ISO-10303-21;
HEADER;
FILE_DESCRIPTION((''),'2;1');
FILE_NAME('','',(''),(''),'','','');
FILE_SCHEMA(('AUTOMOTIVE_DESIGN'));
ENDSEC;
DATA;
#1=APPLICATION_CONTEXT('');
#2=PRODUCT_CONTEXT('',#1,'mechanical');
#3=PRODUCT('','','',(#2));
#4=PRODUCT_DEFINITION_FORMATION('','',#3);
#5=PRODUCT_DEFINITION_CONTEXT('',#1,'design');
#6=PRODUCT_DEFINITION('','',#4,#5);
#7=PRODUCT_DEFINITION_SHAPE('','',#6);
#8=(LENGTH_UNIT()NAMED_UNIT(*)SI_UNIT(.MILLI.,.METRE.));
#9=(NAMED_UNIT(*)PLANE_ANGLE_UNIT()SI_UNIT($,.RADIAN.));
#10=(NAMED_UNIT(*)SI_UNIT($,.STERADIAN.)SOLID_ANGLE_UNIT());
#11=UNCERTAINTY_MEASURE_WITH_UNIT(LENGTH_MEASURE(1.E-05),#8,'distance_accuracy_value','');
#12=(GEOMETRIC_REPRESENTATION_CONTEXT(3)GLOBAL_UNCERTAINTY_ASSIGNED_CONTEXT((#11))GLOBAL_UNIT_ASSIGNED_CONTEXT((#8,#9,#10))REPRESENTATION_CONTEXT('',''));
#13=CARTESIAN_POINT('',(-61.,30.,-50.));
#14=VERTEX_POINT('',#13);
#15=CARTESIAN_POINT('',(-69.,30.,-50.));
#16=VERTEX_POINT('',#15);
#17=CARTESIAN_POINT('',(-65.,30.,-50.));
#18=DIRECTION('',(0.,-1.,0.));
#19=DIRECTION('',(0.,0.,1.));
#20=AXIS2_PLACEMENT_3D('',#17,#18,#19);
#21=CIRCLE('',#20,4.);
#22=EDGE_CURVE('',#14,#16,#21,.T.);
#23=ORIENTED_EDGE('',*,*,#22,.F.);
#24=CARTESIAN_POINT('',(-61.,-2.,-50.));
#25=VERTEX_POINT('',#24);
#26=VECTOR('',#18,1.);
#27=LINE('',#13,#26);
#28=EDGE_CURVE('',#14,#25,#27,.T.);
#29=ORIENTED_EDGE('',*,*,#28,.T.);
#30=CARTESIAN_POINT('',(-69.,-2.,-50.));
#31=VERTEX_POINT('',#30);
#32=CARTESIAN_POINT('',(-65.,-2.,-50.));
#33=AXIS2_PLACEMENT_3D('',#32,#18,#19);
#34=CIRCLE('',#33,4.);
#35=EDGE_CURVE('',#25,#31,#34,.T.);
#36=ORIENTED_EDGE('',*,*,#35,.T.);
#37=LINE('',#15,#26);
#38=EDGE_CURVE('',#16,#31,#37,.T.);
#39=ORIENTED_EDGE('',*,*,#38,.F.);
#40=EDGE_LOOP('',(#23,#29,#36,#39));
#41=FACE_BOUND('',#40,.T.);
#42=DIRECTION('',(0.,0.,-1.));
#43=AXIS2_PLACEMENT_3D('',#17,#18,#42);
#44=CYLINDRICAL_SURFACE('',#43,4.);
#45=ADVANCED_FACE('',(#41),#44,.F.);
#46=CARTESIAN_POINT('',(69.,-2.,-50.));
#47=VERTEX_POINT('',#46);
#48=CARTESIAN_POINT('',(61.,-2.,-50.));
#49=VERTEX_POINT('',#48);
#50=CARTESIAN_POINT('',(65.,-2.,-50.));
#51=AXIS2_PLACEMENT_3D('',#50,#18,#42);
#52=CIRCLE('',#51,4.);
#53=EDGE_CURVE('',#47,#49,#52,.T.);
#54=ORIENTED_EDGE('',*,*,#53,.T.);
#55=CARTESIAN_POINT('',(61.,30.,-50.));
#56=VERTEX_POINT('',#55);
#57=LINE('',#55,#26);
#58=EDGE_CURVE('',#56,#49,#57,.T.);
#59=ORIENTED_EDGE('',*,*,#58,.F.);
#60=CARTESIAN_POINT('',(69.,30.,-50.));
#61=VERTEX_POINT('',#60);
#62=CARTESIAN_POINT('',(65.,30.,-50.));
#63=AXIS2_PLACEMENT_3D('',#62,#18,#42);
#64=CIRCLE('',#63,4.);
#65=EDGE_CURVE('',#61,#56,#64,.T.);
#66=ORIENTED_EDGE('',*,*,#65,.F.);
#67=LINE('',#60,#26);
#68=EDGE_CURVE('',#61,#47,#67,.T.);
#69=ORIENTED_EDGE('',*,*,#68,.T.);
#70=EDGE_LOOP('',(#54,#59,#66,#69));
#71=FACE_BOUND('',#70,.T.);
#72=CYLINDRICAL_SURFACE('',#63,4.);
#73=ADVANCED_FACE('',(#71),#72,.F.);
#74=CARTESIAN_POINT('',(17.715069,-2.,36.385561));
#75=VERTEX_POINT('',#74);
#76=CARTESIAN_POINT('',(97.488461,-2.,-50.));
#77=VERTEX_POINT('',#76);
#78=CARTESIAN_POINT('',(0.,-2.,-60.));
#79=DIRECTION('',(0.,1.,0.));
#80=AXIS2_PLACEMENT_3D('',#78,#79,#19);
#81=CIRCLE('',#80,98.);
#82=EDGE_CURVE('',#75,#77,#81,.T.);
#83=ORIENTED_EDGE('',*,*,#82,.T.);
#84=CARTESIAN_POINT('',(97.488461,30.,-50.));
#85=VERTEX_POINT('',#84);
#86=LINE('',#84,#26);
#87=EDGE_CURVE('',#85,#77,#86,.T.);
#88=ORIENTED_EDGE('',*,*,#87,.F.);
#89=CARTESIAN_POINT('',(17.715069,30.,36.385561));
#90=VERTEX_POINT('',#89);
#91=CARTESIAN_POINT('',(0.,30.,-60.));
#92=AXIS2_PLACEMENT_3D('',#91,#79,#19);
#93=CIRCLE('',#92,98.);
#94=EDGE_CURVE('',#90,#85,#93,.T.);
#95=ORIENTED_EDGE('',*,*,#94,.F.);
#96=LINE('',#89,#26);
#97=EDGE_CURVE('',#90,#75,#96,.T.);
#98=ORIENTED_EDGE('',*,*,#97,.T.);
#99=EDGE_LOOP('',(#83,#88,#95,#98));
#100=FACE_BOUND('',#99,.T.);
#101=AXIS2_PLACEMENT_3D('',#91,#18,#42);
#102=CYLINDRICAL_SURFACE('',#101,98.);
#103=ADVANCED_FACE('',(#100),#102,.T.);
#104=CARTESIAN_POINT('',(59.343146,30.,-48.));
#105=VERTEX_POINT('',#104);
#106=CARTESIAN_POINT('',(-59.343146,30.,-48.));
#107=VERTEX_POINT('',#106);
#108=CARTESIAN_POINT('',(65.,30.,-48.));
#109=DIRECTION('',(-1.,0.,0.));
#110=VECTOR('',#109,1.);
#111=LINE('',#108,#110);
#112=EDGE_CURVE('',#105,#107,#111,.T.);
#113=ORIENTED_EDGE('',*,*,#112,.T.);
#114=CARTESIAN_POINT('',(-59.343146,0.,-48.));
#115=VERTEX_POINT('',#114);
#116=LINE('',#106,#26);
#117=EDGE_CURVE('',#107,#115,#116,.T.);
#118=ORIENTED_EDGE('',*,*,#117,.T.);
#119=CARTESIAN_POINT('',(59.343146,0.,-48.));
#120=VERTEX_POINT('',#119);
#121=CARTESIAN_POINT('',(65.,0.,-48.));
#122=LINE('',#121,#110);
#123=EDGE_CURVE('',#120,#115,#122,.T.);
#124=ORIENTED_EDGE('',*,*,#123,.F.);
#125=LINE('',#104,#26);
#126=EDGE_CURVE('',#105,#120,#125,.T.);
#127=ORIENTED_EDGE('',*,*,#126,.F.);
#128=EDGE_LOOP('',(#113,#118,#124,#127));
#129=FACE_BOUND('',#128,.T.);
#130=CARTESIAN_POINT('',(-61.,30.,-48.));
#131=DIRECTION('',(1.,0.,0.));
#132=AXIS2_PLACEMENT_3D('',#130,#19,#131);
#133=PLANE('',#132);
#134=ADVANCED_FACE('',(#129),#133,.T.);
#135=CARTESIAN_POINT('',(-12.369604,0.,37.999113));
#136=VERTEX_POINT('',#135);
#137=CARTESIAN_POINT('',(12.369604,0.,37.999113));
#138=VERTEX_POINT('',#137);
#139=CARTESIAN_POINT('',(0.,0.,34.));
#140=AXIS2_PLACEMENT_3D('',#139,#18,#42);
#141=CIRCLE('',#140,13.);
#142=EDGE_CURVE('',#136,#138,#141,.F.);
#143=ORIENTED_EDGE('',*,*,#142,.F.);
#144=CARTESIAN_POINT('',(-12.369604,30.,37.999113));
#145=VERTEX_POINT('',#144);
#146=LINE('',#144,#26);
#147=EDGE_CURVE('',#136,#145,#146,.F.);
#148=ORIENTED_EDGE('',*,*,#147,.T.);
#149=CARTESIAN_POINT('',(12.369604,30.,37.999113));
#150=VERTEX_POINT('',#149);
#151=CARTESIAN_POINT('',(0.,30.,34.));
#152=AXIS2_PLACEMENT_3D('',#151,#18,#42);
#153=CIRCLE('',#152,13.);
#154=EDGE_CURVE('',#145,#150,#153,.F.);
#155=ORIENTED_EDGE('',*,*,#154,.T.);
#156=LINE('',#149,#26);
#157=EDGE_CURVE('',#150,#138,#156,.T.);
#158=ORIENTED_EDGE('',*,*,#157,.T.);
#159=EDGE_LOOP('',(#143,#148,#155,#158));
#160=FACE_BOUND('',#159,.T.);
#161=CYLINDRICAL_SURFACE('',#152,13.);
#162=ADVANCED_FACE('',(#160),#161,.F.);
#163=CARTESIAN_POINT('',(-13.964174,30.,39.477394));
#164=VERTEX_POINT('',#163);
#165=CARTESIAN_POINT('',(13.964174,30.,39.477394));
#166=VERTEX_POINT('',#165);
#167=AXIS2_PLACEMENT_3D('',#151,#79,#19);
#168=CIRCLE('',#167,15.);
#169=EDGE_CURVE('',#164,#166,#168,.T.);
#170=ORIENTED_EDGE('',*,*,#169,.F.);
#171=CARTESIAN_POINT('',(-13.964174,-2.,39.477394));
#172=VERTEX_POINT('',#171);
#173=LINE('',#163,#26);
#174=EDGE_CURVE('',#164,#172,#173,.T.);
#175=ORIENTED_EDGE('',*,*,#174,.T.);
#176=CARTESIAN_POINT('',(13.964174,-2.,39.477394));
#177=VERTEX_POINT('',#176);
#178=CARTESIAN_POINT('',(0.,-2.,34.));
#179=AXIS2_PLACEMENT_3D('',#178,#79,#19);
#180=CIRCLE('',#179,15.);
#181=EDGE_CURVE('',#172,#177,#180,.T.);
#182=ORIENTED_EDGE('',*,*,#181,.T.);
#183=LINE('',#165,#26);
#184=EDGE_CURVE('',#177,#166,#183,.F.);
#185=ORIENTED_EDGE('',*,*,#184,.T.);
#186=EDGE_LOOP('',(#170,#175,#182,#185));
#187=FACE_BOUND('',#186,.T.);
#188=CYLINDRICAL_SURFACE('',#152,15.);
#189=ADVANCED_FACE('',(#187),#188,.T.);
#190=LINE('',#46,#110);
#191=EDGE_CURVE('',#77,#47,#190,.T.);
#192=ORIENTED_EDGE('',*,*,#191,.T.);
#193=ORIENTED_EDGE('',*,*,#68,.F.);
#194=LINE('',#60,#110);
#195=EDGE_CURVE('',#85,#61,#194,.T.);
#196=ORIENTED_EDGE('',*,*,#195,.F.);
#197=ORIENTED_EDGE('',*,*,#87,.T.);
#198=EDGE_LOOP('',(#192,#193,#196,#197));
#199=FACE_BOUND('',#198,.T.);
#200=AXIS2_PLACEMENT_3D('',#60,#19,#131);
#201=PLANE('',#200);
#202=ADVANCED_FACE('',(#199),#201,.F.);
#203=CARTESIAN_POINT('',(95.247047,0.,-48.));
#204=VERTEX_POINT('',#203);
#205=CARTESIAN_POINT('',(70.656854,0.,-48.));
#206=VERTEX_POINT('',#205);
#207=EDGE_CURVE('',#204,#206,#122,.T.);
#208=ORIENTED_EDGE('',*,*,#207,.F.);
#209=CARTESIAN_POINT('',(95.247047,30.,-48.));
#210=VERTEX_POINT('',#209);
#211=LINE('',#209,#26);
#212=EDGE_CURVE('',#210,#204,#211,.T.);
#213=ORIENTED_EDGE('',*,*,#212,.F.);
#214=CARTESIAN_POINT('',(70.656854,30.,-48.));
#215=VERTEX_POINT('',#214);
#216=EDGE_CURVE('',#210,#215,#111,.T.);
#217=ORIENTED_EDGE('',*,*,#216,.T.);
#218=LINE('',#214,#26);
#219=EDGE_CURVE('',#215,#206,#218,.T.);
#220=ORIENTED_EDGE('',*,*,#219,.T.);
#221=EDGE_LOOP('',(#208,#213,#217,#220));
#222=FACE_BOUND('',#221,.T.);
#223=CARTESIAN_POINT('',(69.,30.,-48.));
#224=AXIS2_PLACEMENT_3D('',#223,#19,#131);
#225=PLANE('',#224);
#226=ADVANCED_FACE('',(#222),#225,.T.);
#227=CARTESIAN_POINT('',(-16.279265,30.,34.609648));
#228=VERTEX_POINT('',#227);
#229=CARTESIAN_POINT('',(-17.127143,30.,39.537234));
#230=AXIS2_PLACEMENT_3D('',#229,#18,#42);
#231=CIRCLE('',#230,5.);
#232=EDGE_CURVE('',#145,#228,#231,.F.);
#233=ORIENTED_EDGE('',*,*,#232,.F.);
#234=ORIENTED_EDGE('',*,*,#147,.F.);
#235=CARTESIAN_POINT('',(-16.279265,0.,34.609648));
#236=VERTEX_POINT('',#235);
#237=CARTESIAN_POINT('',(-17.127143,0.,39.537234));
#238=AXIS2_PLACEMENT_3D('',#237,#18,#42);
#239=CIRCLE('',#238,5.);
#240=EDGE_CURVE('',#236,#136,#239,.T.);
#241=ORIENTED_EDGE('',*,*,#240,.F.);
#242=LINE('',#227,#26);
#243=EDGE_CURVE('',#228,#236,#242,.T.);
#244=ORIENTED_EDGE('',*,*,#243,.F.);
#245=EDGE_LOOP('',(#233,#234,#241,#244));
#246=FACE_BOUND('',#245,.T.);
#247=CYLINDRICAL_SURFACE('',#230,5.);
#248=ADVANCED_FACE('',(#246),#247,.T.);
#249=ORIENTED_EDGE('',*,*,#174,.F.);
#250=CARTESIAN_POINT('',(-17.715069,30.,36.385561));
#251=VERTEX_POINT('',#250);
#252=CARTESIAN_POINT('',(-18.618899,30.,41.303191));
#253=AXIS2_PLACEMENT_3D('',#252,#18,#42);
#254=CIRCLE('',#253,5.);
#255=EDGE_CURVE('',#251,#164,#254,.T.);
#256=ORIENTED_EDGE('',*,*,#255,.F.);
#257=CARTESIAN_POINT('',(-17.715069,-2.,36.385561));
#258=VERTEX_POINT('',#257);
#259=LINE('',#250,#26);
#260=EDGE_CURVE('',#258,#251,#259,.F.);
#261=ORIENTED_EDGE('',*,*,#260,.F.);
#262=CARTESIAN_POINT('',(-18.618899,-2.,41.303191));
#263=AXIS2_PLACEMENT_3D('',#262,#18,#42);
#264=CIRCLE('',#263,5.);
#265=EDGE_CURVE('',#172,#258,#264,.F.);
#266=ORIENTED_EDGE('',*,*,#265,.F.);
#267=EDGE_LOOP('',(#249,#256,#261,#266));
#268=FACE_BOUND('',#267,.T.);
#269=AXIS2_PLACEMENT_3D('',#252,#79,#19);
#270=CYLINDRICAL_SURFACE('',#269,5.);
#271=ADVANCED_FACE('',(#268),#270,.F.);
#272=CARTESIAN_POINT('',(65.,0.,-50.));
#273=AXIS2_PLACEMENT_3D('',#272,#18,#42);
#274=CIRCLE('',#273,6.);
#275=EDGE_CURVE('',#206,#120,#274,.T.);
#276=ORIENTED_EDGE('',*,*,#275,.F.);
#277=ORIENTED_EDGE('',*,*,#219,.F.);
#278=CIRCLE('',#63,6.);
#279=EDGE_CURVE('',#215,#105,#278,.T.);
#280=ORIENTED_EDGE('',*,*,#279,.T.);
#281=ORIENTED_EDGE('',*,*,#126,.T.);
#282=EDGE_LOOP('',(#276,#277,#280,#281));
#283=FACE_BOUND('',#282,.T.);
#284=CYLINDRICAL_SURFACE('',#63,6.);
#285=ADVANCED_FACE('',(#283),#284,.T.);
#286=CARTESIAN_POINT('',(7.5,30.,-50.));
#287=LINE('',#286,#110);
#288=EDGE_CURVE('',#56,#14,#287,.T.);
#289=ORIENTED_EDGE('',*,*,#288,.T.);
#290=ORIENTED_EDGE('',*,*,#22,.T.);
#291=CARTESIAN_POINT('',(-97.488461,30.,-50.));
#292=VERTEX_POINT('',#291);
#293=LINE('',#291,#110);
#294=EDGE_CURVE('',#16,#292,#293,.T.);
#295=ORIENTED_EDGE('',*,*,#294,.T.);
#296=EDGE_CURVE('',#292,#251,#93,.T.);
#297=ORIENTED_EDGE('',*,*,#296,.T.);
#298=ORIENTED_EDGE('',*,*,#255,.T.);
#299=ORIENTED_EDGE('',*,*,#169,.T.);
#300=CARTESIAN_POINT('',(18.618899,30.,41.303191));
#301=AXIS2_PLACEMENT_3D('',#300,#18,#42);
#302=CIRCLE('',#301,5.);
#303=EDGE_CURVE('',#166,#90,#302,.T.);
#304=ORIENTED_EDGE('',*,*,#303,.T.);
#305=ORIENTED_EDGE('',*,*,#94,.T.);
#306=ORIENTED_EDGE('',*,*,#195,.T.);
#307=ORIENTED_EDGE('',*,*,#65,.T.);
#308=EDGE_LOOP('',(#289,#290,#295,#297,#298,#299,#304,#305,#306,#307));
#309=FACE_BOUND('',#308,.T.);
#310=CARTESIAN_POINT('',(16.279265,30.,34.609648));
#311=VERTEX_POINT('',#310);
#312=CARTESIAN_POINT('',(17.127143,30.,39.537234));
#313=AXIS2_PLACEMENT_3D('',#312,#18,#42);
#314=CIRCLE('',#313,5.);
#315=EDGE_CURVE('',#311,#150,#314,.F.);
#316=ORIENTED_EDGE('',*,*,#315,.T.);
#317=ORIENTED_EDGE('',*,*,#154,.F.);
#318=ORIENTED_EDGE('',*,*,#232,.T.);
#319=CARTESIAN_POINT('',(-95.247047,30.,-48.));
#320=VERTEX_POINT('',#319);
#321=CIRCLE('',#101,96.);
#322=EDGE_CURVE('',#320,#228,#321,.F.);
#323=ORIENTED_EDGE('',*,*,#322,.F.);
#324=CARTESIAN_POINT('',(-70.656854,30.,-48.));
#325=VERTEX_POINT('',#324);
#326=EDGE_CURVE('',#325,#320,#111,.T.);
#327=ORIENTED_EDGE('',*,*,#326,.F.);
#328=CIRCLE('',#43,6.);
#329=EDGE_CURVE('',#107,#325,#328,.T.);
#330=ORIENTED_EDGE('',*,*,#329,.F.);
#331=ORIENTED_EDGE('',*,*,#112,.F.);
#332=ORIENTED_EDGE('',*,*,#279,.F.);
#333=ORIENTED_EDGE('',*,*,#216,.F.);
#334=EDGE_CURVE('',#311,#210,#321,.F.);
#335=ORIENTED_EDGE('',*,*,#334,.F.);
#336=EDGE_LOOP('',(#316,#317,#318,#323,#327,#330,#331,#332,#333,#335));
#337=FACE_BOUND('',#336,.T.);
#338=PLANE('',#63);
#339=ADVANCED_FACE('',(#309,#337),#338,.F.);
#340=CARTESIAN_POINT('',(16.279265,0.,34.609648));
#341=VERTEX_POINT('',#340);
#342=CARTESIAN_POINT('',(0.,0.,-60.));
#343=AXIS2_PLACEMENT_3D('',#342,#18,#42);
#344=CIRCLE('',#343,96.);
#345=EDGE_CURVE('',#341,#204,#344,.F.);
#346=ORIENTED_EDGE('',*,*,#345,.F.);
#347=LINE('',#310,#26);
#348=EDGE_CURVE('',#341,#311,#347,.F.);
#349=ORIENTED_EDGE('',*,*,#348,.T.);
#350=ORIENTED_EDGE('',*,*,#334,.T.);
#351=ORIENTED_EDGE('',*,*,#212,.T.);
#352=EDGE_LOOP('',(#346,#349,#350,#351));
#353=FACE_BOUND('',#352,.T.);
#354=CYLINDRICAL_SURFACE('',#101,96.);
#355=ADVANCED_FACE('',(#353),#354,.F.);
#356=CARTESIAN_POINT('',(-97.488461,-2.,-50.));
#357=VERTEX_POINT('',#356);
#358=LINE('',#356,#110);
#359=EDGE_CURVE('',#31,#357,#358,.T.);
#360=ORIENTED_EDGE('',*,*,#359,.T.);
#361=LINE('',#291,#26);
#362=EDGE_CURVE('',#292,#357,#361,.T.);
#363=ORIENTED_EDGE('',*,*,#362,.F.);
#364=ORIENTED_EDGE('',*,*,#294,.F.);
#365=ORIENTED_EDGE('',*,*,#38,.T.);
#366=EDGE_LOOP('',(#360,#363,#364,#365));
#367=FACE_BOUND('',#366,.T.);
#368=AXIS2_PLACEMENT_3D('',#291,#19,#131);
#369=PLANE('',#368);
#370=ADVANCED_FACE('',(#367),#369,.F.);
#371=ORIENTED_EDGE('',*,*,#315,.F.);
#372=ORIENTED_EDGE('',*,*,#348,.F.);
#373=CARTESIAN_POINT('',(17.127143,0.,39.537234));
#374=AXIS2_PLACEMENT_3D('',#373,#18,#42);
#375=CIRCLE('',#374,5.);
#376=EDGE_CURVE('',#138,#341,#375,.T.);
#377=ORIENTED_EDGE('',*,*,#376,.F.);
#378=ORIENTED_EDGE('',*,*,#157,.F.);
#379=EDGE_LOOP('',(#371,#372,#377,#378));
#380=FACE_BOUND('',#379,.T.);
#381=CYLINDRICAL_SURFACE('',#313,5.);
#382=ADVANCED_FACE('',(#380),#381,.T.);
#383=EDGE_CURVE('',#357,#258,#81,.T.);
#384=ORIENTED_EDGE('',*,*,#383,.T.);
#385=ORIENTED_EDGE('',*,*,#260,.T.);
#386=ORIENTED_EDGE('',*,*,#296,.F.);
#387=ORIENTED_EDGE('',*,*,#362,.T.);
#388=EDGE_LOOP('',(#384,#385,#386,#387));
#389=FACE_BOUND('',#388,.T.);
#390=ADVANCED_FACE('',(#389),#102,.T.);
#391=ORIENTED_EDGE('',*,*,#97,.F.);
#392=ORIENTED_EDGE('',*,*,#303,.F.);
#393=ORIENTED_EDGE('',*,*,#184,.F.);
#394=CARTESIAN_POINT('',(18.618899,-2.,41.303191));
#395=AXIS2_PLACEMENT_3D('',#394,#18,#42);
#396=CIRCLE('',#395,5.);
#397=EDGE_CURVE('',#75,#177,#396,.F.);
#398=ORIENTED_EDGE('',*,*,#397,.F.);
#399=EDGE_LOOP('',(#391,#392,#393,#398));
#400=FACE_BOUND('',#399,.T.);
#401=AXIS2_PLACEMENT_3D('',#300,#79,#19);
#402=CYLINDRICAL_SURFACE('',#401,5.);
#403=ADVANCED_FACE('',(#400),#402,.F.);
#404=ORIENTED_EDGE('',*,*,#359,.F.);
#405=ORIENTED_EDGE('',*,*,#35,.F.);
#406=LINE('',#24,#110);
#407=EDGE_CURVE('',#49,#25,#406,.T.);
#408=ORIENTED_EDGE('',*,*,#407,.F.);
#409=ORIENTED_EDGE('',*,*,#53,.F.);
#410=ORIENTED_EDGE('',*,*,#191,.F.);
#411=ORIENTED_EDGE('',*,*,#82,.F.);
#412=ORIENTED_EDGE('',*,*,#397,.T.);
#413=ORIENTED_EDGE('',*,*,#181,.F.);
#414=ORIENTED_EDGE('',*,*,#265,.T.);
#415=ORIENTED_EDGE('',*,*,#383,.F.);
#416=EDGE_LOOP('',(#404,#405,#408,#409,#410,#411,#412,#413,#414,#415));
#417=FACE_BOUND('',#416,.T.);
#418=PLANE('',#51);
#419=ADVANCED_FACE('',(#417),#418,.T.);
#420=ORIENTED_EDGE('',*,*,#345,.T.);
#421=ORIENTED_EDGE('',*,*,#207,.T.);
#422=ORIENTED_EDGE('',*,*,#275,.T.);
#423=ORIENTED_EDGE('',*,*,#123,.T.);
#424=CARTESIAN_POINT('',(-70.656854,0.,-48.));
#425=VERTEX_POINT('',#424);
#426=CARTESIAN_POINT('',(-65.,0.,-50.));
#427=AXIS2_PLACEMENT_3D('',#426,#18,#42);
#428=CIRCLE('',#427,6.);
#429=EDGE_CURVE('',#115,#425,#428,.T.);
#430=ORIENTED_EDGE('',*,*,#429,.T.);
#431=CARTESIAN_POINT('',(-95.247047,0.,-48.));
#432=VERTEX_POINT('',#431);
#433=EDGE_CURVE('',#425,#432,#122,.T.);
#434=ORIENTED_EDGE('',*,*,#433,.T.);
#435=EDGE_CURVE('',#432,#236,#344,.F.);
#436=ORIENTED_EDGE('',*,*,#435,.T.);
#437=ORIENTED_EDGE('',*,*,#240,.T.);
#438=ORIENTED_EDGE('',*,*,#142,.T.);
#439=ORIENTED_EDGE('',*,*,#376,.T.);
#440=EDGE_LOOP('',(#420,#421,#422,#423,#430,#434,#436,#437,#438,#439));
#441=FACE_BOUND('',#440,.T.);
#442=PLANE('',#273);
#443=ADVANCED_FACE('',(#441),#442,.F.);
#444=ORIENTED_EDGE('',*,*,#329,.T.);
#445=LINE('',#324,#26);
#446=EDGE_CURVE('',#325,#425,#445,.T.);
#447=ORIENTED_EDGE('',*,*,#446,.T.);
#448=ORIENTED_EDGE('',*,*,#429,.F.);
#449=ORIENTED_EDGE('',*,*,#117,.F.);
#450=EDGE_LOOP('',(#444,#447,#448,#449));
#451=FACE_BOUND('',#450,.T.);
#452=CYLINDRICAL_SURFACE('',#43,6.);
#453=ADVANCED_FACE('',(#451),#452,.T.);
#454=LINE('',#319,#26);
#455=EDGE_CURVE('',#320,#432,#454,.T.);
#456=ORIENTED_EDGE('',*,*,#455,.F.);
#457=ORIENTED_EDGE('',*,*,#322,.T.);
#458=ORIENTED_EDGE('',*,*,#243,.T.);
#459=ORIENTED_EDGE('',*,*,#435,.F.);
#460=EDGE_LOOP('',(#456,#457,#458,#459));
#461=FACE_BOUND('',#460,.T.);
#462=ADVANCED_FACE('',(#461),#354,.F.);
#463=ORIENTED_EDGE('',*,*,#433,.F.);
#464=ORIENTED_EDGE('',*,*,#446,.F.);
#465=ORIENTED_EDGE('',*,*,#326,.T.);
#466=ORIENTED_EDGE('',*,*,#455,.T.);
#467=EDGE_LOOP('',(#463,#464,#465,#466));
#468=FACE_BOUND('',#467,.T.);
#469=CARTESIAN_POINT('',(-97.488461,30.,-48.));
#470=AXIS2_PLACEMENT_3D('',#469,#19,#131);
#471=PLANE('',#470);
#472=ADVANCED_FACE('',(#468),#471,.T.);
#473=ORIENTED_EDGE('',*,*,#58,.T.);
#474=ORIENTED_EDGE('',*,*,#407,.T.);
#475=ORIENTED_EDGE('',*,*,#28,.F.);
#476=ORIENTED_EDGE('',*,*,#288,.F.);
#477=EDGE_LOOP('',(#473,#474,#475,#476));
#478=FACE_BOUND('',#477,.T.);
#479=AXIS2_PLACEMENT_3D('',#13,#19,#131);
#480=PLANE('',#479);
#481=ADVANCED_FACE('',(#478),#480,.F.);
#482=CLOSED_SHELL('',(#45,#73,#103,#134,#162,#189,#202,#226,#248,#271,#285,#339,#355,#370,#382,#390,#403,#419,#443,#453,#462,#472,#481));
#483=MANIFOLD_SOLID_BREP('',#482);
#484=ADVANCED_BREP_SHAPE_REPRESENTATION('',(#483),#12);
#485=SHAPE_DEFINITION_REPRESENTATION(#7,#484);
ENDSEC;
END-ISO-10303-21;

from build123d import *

# Parameters (mm, degrees)
EXTRUDE_START   = -2
EXTRUDE_1_DEPTH = 32
SHELL_1_T       = -2
FILLET_1_R      = 5


with BuildPart() as part:
    # 草图1 → 凸台-拉伸1 (new body)
    with BuildSketch(Plane(origin=(0, 0, 0), x_dir=(1, 0, 0), z_dir=(0, 1, 0)).offset(EXTRUDE_START)):
        with BuildLine():
            Line((-97.488460856, 50), (-69, 50))
            ThreePointArc((-69, 50), (-65, 46), (-61, 50))
            Line((-61, 50), (-7.5, 50))
            Line((-7.5, 50), (7.5, 50))
            Line((7.5, 50), (61, 50))
            ThreePointArc((61, 50), (65, 46), (69, 50))
            Line((69, 50), (97.488460856, 50))
            ThreePointArc((97.488460856, 50), (70.958011296, -7.594087263), (14.719298061, -36.888297872))
            ThreePointArc((14.719298061, -36.888297872), (0, -49), (-14.719298061, -36.888297872))
            ThreePointArc((-14.719298061, -36.888297872), (-70.958011296, -7.594087263), (-97.488460856, 50))
        make_face()
    extrude(amount=EXTRUDE_1_DEPTH)

    # 抽壳1
    shell_1_openings = [part.faces().sort_by_distance(p)[0] for p in [
        (0, 30, -11.801216643),
    ]]
    offset(amount=SHELL_1_T, openings=shell_1_openings, kind=Kind.INTERSECTION)

    # 圆角1
    fillet_1_edges = [part.edges().sort_by_distance(p)[0] for p in [
        (14.719298061, 14, 36.888297872),
        (-14.719298061, 14, 36.888297872),
        (-12.951461384, 15, 35.122340426),
        (12.951461384, 15, 35.122340426),
    ]]
    fillet(fillet_1_edges, radius=FILLET_1_R)


solid = part.part
